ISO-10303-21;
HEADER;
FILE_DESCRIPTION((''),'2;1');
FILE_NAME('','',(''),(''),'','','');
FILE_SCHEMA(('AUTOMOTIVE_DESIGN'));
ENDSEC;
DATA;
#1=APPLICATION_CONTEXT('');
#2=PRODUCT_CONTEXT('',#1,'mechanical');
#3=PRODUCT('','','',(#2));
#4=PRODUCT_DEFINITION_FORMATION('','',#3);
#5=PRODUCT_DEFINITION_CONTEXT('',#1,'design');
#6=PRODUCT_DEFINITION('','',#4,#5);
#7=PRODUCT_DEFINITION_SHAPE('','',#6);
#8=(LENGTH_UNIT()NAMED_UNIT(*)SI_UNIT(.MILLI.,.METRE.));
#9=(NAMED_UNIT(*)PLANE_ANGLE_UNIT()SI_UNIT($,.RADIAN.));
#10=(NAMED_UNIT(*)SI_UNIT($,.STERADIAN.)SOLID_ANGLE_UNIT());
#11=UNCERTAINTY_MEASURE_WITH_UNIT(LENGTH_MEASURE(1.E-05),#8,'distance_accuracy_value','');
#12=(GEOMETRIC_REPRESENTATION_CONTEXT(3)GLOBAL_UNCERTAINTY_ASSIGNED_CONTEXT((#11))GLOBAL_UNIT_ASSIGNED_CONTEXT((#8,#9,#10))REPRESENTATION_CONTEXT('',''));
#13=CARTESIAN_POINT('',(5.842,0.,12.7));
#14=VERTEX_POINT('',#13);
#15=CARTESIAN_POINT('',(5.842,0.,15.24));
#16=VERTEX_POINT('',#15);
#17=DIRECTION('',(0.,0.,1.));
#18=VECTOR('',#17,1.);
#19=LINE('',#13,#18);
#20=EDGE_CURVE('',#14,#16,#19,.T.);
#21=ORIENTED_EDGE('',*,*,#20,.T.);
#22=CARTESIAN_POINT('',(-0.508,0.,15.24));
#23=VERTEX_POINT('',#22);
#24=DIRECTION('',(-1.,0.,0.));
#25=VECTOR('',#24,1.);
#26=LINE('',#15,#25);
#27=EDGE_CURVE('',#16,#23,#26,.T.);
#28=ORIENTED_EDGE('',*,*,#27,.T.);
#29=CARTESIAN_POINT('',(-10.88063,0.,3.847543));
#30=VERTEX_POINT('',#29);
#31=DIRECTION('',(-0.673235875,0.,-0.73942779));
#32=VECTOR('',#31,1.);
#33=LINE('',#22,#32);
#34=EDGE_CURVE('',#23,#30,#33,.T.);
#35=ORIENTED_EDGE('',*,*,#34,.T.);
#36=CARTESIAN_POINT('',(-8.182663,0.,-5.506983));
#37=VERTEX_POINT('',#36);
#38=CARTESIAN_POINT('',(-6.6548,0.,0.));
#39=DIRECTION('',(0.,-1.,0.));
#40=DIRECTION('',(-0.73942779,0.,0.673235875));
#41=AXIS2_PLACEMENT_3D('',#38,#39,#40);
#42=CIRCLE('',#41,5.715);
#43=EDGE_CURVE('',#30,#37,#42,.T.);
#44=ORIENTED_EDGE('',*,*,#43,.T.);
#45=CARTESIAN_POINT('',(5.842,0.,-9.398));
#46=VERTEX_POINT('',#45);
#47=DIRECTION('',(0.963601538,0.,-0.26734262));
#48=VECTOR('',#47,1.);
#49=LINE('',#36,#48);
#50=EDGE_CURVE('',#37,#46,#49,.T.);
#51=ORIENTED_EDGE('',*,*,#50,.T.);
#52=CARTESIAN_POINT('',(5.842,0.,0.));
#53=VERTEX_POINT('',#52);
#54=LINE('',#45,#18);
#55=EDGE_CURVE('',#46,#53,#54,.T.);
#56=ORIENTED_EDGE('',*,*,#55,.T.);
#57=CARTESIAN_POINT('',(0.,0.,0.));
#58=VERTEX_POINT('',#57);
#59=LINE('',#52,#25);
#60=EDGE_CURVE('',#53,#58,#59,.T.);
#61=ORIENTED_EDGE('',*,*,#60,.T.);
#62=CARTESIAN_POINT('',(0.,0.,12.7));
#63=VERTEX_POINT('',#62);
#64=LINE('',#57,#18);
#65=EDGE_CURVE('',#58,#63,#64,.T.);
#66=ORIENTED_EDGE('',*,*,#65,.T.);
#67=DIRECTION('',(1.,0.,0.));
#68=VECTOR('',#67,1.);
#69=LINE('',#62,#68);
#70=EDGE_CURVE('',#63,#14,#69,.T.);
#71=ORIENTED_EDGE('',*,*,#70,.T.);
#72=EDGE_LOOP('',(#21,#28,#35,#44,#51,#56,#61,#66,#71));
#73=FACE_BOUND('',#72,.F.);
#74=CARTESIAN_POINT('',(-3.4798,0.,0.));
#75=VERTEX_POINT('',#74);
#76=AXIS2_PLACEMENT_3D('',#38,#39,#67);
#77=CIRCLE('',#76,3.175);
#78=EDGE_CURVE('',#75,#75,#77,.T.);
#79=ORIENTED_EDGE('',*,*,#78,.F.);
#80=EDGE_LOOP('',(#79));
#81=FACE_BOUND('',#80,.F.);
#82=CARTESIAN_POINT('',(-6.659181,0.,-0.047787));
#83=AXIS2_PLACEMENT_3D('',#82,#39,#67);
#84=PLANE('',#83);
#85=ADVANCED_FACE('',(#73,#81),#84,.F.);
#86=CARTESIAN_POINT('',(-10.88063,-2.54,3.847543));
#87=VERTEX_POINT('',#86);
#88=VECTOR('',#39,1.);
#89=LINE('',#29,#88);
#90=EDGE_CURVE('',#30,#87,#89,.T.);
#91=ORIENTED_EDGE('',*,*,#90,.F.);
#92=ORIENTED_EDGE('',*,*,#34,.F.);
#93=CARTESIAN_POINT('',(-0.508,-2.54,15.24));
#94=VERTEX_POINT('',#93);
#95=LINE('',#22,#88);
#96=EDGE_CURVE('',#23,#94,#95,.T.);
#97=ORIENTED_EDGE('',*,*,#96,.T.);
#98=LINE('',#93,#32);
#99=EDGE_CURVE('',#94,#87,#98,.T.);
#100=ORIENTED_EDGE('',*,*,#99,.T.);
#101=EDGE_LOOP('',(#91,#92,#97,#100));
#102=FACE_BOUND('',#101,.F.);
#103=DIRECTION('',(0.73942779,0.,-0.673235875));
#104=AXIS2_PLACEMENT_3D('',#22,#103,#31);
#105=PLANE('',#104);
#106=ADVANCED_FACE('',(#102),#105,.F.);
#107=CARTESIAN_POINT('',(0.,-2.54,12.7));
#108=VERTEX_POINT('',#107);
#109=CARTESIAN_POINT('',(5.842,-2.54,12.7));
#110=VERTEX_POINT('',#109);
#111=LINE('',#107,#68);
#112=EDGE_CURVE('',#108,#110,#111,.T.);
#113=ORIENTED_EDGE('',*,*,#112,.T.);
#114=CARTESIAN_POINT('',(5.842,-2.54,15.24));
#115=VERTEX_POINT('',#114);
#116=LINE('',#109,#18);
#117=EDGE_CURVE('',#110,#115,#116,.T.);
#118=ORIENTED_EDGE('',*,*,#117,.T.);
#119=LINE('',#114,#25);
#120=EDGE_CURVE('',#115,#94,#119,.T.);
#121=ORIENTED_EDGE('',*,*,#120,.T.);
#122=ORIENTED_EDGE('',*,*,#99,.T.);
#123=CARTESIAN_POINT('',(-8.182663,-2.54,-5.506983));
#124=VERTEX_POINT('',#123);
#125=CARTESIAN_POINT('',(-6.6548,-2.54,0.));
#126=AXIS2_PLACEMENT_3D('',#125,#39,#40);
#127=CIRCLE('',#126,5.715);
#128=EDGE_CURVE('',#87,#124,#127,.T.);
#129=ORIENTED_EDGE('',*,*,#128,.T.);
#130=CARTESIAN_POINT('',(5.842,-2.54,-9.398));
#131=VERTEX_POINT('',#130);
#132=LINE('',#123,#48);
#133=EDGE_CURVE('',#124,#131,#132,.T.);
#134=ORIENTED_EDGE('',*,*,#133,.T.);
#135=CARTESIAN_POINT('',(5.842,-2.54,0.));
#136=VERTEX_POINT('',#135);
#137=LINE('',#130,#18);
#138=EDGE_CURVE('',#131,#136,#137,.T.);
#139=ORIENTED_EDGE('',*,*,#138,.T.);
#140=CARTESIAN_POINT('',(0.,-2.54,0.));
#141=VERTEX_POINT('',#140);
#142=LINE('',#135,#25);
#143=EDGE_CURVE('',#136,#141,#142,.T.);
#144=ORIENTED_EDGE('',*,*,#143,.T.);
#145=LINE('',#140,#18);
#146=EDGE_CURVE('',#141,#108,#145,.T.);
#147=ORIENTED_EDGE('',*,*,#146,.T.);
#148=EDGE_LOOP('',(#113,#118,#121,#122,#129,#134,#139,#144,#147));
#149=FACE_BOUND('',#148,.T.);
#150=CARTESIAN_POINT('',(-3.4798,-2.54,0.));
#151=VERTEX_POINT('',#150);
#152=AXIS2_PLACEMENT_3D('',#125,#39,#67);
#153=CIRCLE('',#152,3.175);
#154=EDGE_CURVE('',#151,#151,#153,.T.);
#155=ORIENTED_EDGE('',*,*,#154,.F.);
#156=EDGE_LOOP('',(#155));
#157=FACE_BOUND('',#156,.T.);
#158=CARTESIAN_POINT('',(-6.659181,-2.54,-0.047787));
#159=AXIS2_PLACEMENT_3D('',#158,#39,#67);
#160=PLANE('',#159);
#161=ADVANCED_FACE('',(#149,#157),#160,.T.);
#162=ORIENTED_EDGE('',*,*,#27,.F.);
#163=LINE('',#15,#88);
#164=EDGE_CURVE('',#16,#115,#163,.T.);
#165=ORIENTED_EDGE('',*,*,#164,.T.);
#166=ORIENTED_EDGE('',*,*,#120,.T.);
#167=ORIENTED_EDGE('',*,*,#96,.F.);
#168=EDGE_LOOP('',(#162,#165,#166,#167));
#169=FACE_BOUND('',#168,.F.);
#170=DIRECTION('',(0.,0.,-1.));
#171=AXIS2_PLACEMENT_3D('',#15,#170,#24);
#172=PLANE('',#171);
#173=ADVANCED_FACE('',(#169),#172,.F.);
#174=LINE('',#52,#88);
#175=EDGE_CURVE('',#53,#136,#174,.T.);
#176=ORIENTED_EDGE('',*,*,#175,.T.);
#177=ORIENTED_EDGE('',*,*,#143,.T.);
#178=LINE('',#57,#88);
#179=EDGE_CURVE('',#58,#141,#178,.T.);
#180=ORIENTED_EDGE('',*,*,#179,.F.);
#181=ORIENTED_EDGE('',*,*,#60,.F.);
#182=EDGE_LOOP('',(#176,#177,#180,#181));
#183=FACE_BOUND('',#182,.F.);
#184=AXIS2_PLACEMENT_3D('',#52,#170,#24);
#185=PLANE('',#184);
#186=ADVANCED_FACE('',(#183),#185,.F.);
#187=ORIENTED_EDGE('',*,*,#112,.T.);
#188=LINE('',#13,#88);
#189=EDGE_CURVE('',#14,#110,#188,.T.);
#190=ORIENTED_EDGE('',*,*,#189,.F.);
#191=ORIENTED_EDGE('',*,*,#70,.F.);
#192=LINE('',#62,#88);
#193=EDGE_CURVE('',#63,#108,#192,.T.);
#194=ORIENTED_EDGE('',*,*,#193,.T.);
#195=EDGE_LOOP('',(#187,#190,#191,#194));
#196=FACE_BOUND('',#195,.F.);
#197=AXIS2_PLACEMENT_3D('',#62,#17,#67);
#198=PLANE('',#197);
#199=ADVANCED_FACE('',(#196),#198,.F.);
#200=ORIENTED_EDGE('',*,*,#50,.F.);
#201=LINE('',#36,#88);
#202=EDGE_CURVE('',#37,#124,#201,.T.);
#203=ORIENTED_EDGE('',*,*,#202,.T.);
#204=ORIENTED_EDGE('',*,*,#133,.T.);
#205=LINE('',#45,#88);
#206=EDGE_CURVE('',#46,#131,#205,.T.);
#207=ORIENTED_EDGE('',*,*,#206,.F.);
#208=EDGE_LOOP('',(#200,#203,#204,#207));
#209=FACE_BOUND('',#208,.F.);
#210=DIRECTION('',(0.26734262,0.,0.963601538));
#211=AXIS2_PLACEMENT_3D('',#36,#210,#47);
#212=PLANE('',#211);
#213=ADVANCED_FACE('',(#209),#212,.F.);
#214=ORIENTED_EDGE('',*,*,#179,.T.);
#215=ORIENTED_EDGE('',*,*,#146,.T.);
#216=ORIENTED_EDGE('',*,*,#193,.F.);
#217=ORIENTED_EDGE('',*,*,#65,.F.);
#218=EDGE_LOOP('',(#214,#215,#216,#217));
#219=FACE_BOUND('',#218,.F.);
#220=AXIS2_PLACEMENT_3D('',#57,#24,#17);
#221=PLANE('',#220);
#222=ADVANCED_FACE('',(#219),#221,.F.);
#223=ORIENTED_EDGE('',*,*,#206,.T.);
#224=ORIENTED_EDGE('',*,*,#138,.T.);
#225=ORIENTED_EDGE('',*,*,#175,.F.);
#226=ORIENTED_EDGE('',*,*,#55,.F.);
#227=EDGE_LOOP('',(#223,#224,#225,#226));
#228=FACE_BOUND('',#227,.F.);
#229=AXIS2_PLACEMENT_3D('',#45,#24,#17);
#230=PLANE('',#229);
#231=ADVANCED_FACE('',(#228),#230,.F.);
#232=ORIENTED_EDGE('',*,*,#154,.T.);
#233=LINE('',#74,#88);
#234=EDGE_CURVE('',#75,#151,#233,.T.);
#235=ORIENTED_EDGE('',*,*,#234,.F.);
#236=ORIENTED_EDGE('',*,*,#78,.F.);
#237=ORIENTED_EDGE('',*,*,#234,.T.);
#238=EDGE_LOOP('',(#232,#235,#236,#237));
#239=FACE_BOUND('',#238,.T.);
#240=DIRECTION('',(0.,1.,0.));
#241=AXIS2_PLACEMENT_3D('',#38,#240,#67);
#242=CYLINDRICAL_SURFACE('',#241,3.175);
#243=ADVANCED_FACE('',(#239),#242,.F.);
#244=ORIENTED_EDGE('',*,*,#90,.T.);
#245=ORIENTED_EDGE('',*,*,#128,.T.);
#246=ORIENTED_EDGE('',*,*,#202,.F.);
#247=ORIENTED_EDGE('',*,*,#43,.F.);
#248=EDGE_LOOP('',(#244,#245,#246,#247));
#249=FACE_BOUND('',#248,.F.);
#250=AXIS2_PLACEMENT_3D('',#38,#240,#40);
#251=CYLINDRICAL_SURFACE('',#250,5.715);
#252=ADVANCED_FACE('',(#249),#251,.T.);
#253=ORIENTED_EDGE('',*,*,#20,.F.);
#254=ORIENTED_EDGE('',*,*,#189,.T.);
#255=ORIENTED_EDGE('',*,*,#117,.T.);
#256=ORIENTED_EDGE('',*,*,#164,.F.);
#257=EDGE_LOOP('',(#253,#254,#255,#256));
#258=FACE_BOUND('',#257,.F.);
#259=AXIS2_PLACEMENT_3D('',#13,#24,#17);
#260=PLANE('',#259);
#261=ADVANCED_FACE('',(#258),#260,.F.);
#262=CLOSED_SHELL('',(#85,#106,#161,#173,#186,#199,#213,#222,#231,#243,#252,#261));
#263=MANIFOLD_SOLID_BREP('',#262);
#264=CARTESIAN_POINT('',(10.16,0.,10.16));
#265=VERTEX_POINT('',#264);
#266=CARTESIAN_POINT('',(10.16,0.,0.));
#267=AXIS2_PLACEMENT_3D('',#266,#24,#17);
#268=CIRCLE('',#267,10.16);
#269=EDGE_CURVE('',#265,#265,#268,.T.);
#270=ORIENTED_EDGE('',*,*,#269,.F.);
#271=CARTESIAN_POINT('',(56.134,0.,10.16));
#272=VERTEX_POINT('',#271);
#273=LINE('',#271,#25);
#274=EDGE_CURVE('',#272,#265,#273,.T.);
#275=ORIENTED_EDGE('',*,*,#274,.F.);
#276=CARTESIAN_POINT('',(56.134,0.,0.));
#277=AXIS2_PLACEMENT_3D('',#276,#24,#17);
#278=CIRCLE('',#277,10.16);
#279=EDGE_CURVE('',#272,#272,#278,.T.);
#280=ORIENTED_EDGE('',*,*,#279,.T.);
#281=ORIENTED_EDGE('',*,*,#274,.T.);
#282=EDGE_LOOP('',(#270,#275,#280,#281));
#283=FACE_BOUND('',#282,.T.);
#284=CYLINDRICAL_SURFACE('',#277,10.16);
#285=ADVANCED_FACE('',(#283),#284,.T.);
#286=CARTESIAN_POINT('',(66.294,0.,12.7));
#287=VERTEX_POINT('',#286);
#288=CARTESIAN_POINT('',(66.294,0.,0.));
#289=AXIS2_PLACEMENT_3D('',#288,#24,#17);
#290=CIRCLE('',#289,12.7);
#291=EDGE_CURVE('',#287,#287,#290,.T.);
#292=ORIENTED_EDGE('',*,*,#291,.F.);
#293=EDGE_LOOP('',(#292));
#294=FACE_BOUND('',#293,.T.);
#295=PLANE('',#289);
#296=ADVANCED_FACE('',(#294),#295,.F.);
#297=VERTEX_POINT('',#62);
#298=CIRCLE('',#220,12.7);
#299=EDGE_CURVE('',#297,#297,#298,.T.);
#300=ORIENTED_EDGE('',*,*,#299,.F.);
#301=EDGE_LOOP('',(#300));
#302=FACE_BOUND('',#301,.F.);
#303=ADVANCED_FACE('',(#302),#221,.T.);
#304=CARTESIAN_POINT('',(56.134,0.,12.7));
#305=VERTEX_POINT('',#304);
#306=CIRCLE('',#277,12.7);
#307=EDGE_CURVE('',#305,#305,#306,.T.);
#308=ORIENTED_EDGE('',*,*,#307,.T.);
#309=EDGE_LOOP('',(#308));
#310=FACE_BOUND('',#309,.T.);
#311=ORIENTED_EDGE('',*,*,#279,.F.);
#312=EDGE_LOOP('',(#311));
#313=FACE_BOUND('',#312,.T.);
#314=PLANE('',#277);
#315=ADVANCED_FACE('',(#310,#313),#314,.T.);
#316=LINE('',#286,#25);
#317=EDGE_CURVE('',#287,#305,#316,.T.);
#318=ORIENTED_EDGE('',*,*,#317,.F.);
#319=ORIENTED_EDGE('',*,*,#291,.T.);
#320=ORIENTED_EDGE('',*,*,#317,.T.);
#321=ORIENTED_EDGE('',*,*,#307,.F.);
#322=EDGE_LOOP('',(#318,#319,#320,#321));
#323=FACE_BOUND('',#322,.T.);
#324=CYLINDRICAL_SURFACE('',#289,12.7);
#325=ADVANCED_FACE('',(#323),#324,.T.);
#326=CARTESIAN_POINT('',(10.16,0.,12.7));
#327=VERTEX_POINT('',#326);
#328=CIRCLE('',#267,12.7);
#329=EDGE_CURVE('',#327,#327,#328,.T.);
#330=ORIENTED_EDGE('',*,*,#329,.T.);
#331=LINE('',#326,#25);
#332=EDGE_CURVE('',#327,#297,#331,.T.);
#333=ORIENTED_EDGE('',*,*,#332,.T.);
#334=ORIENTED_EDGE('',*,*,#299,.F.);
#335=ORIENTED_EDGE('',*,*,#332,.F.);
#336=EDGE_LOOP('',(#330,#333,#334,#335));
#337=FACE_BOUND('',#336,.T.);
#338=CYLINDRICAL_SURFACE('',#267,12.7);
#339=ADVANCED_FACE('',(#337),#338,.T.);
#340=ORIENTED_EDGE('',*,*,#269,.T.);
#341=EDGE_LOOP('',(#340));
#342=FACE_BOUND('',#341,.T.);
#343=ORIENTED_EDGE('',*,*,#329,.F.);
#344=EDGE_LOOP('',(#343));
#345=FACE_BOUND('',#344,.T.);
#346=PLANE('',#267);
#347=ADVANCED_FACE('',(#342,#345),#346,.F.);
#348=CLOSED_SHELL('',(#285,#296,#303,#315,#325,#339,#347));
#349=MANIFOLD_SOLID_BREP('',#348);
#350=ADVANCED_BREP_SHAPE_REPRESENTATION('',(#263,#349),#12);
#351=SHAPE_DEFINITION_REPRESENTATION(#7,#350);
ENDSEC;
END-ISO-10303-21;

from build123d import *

# Parameters (mm, degrees)
F0_W     = 5.842
F0_H     = 12.7
F0_R     = 3.175
F2_DEPTH = 2.54


with BuildPart() as f1:
    # F0 (on Front) → F1 (revolve)
    with BuildSketch(Plane.XZ):
        Polygon((5.842, 12.7), (5.842, 0), (66.294, 0), (66.294, 12.7), (56.134, 12.7), (56.134, 10.16), (10.16, 10.16), (10.16, 12.7), align=None)
        with Locations((2.921, 6.35)):
            Rectangle(F0_W, F0_H)
    revolve(axis=Axis((33.147, 0, 0), (-1, 0, 0)))


with BuildPart() as f2:
    # F0 (on Front) → F2 (new body)
    with BuildSketch(Plane.XZ):
        with BuildLine():
            ThreePointArc((-8.1826630726, -5.5069827884), (-3.1957909266, -4.5493385486), (-0.9398, 0))
            ThreePointArc((-0.9398, 0), (-4.5919612295, 5.3297205562), (-10.8806298187, 3.8475430269))
            ThreePointArc((-10.8806298187, 3.8475430269), (-12.1459778134, -1.5837270034), (-8.1826630726, -5.5069827884))
        make_face()
        with Locations((-6.6548, 0)):
            Circle(F0_R, mode=Mode.SUBTRACT)
        with BuildLine():
            Line((5.842, 0), (0, 0))
            Line((0, 0), (-0.9398, 0))
            ThreePointArc((-0.9398, 0), (-3.1957909266, -4.5493385486), (-8.1826630726, -5.5069827884))
            Line((-8.1826630726, -5.5069827884), (5.842, -9.398))
            Line((5.842, -9.398), (5.842, 0))
        make_face()
        with BuildLine():
            Line((-0.9398, 0), (0, 0))
            Line((0, 0), (0, 12.7))
            Line((0, 12.7), (5.842, 12.7))
            Line((5.842, 12.7), (5.842, 15.24))
            Line((5.842, 15.24), (-0.508, 15.24))
            Line((-0.508, 15.24), (-10.8806298187, 3.8475430269))
            ThreePointArc((-10.8806298187, 3.8475430269), (-4.5919612295, 5.3297205562), (-0.9398, 0))
        make_face()
    extrude(amount=F2_DEPTH)


solid = Compound([f1.part, f2.part])
